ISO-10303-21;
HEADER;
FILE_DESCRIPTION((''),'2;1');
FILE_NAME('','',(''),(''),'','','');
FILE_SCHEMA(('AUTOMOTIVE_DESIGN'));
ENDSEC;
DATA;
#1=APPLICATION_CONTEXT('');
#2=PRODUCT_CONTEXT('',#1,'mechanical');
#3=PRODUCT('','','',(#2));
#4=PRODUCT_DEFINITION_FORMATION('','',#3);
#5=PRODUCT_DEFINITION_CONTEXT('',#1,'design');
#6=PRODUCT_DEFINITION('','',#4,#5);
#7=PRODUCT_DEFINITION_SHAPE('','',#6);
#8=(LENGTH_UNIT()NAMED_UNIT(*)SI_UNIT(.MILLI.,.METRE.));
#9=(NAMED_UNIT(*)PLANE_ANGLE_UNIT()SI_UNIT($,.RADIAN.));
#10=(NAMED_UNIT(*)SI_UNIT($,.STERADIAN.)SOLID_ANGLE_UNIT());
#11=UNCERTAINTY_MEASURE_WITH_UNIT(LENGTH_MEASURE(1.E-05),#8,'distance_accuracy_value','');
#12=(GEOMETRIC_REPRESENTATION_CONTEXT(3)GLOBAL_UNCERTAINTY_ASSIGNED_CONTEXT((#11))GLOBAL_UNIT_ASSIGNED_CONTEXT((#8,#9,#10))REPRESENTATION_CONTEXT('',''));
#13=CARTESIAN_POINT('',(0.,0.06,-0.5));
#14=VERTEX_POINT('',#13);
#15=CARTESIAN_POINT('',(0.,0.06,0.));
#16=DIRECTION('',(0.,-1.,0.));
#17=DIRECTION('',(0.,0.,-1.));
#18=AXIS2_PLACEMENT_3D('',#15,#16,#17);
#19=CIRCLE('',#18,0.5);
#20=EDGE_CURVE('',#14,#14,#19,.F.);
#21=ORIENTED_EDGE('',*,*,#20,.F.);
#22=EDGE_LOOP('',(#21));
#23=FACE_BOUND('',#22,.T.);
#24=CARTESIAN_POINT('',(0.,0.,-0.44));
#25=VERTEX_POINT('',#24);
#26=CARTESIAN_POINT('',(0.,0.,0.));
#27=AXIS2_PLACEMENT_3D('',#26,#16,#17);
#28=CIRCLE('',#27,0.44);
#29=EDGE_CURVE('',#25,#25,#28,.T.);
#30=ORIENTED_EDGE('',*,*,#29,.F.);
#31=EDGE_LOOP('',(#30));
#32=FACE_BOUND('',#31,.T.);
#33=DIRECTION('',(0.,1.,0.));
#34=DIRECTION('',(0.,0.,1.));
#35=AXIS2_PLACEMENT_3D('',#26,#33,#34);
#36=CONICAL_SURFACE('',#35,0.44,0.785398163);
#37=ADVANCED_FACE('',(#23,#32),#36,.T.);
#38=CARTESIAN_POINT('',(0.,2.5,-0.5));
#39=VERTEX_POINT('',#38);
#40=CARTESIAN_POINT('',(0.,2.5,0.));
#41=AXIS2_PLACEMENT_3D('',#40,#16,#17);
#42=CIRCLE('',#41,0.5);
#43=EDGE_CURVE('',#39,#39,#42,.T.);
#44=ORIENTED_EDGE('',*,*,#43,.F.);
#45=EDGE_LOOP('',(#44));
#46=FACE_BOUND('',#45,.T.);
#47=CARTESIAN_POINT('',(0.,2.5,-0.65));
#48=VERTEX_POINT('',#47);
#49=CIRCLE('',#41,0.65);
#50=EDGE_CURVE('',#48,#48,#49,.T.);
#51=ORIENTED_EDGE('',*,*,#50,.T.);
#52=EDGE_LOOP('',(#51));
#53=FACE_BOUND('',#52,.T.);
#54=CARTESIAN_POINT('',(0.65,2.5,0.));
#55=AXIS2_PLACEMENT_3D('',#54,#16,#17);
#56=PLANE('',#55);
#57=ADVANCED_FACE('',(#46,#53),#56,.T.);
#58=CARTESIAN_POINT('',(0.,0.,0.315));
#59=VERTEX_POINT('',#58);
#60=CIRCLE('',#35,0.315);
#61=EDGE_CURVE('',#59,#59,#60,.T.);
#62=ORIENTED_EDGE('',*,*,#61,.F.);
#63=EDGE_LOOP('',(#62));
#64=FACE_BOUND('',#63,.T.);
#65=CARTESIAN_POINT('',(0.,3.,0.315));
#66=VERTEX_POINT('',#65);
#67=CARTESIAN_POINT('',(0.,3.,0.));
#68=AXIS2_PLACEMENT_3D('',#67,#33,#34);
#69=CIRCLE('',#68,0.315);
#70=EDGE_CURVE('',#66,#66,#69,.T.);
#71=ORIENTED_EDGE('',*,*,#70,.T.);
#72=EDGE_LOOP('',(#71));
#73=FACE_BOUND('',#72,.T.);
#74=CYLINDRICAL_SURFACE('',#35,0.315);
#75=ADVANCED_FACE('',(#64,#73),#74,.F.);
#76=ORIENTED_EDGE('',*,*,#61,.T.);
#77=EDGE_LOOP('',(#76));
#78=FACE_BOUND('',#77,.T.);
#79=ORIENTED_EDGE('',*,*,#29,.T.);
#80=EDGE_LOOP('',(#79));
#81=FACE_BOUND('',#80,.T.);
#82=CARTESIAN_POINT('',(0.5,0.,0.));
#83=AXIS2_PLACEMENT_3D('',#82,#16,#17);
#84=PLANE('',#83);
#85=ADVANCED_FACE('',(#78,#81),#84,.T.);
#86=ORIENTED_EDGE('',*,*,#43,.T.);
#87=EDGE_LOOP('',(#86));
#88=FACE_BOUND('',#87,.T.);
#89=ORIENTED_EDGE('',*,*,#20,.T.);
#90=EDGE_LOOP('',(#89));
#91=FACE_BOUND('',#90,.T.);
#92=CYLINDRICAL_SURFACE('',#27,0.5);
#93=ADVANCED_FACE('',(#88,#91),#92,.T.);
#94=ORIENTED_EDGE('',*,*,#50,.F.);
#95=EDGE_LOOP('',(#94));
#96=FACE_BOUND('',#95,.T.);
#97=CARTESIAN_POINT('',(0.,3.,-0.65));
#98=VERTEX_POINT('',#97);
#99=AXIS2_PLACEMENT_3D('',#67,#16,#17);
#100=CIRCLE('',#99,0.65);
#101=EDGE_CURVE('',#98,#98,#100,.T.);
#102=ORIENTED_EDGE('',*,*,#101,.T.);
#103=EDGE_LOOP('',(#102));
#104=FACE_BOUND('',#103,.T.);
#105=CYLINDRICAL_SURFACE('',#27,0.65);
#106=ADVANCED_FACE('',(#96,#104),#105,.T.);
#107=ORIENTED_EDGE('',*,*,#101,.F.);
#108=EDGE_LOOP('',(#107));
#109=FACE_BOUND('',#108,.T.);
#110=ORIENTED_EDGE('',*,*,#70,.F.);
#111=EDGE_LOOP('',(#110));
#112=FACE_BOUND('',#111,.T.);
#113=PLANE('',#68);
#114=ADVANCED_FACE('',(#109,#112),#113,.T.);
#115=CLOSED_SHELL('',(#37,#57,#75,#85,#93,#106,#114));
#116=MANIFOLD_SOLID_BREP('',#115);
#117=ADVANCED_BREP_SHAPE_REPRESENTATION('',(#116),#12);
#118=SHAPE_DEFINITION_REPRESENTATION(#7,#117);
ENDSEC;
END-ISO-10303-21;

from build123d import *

# Parameters (mm, degrees)
SKETCH2_R          = 0.315
CUT_EXTRUDE1_DEPTH = 4.137674298
CHAMFER1_SIZE      = 0.06


with BuildPart() as part:
    # Sketch1 → Revolve1 (revolve)
    with BuildSketch(Plane.XY, mode=Mode.PRIVATE) as revolve1_sk:
        Polygon((0, 0), (0, 3), (0.65, 3), (0.65, 2.5), (0.5, 2.5), (0.5, 0), align=None)
    revolve(revolve1_sk.sketch.rotate(Axis((0, 0, 0), (0, 1, 0)), 90), axis=Axis((0, 0, 0), (0, 1, 0)))

    # Sketch2 → Cut-Extrude1 (cut, through all)
    with BuildSketch(Plane(origin=(0, 3, 0), x_dir=(1, 0, 0), z_dir=(0, 1, 0))):
        with Locations(Location((0, 0, 0), (0, 0, 270))):
            Circle(SKETCH2_R)
    extrude(amount=-CUT_EXTRUDE1_DEPTH, mode=Mode.SUBTRACT)

    # Chamfer1
    chamfer1_edges = [part.edges().sort_by_distance(p)[0] for p in [
        (0, 0, 0.5),
    ]]
    chamfer(chamfer1_edges, length=CHAMFER1_SIZE)


solid = part.part
